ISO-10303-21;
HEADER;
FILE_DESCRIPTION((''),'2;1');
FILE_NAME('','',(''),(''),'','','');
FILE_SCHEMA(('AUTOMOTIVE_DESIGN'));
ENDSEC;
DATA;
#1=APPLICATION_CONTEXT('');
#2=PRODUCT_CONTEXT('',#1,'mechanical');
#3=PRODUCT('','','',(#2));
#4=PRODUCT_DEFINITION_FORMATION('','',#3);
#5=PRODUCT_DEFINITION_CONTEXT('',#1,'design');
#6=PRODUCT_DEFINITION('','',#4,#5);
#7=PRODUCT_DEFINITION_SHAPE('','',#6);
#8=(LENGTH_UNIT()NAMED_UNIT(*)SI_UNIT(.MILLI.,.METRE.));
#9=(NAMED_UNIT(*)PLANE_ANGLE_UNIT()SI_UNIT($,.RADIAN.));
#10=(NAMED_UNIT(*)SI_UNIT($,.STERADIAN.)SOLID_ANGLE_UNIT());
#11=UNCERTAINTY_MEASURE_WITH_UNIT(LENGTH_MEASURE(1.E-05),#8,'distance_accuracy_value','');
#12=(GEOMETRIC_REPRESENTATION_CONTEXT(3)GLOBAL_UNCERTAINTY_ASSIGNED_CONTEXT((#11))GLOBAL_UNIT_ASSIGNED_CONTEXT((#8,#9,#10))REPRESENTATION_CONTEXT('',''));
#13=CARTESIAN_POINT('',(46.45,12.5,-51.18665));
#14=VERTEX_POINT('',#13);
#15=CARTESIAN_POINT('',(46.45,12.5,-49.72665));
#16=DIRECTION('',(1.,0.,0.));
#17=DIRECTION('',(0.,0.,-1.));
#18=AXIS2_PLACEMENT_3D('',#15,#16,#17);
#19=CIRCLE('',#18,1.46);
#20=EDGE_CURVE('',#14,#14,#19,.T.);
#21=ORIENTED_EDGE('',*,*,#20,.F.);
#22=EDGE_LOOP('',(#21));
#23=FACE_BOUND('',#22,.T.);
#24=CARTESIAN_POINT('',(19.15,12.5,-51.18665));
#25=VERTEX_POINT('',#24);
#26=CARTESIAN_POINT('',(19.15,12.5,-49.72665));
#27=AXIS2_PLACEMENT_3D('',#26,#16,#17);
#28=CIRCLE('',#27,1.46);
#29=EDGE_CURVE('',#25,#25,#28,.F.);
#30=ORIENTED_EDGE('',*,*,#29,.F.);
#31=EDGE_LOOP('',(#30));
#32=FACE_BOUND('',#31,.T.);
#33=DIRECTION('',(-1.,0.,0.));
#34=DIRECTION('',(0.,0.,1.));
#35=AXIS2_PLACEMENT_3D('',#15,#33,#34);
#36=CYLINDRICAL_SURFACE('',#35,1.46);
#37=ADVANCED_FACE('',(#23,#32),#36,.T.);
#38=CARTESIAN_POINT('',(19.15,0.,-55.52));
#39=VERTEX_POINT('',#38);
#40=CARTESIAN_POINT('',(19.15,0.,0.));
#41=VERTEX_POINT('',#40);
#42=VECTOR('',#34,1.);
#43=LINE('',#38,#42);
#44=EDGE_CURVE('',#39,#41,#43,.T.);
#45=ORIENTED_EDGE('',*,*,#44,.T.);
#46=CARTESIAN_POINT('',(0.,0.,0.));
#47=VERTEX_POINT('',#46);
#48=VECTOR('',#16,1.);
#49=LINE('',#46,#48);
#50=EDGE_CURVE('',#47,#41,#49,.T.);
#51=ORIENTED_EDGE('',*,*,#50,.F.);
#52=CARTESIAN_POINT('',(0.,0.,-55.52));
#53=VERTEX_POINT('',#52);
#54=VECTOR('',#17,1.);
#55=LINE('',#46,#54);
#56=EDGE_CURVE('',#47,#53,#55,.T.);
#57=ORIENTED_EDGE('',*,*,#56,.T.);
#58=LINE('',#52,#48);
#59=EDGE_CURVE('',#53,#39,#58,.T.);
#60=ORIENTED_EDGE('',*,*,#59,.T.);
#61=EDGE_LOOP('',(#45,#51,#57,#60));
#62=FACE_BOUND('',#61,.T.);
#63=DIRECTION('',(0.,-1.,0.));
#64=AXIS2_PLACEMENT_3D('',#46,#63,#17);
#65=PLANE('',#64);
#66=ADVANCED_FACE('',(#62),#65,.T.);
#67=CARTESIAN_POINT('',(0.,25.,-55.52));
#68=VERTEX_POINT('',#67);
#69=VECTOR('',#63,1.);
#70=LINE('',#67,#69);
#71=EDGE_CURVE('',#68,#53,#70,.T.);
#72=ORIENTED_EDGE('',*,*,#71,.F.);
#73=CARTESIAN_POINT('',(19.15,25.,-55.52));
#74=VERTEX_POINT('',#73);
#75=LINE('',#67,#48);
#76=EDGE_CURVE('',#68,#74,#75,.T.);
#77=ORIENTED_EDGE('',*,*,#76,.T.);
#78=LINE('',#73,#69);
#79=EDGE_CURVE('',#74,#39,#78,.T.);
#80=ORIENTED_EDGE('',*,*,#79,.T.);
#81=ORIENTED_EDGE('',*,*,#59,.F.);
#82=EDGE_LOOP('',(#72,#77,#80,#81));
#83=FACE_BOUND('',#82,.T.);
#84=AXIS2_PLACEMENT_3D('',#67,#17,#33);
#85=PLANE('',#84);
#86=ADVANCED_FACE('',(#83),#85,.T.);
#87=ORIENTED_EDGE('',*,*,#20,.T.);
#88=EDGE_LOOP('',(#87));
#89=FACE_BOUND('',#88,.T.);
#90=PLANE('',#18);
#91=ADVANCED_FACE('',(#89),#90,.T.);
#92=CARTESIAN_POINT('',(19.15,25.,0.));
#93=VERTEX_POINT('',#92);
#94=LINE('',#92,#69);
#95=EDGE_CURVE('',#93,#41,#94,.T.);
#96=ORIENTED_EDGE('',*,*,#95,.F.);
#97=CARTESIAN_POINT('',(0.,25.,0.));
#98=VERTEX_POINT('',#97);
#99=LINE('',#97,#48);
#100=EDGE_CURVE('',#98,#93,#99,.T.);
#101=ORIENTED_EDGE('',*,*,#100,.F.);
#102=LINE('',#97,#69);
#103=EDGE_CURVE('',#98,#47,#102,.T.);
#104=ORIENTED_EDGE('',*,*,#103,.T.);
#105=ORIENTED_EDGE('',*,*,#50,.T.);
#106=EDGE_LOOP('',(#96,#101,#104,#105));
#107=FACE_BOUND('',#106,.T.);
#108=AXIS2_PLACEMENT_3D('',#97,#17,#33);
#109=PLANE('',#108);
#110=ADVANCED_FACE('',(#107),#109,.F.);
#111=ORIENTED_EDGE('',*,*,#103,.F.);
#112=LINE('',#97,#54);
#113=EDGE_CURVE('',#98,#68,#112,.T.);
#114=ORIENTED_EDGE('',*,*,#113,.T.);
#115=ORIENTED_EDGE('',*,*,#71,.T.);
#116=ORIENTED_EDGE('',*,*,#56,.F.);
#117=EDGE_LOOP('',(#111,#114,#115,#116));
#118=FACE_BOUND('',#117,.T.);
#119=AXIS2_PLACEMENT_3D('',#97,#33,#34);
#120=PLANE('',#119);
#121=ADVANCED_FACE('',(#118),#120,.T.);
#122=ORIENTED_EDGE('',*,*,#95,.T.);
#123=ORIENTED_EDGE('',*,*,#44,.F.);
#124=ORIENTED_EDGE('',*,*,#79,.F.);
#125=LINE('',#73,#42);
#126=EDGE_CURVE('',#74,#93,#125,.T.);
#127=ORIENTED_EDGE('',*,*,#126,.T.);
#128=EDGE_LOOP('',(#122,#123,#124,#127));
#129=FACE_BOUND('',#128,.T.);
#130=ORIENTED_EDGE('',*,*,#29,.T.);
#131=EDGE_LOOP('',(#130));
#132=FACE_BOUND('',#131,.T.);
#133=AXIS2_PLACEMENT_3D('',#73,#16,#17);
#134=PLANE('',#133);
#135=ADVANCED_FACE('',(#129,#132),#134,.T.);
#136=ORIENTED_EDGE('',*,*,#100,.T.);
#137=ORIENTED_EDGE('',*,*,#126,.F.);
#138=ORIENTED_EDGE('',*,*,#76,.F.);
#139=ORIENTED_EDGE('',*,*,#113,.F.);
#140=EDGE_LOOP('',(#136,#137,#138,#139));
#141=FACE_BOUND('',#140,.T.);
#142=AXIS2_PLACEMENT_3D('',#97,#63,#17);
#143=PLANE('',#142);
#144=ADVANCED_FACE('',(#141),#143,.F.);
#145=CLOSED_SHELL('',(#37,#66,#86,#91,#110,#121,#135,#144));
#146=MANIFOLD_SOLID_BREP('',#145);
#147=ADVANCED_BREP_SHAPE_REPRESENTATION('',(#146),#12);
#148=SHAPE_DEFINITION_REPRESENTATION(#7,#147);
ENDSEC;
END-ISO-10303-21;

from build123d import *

# Parameters (mm, degrees)
ESQUISSE1_W        = 19.15
ESQUISSE1_H        = 55.52
BOSS_EXTRU_1_DEPTH = 25
ESQUISSE3_R        = 1.46
BOSS_EXTRU_2_DEPTH = 46.45


with BuildPart() as part:
    # Esquisse1 → Boss.-Extru.1 (new body)
    with BuildSketch(Plane(origin=(0, 0, 0), x_dir=(1, 0, 0), z_dir=(0, 1, 0))):
        with Locations((9.575, 27.76)):
            Rectangle(ESQUISSE1_W, ESQUISSE1_H)
    extrude(amount=BOSS_EXTRU_1_DEPTH)

    # Esquisse3 → Boss.-Extru.2 (add)
    with BuildSketch(Plane(origin=(0, 0, 0), x_dir=(0, 0, -1), z_dir=(1, 0, 0))):
        with Locations((49.726650103, 12.5)):
            Circle(ESQUISSE3_R)
    extrude(amount=BOSS_EXTRU_2_DEPTH)


solid = part.part
